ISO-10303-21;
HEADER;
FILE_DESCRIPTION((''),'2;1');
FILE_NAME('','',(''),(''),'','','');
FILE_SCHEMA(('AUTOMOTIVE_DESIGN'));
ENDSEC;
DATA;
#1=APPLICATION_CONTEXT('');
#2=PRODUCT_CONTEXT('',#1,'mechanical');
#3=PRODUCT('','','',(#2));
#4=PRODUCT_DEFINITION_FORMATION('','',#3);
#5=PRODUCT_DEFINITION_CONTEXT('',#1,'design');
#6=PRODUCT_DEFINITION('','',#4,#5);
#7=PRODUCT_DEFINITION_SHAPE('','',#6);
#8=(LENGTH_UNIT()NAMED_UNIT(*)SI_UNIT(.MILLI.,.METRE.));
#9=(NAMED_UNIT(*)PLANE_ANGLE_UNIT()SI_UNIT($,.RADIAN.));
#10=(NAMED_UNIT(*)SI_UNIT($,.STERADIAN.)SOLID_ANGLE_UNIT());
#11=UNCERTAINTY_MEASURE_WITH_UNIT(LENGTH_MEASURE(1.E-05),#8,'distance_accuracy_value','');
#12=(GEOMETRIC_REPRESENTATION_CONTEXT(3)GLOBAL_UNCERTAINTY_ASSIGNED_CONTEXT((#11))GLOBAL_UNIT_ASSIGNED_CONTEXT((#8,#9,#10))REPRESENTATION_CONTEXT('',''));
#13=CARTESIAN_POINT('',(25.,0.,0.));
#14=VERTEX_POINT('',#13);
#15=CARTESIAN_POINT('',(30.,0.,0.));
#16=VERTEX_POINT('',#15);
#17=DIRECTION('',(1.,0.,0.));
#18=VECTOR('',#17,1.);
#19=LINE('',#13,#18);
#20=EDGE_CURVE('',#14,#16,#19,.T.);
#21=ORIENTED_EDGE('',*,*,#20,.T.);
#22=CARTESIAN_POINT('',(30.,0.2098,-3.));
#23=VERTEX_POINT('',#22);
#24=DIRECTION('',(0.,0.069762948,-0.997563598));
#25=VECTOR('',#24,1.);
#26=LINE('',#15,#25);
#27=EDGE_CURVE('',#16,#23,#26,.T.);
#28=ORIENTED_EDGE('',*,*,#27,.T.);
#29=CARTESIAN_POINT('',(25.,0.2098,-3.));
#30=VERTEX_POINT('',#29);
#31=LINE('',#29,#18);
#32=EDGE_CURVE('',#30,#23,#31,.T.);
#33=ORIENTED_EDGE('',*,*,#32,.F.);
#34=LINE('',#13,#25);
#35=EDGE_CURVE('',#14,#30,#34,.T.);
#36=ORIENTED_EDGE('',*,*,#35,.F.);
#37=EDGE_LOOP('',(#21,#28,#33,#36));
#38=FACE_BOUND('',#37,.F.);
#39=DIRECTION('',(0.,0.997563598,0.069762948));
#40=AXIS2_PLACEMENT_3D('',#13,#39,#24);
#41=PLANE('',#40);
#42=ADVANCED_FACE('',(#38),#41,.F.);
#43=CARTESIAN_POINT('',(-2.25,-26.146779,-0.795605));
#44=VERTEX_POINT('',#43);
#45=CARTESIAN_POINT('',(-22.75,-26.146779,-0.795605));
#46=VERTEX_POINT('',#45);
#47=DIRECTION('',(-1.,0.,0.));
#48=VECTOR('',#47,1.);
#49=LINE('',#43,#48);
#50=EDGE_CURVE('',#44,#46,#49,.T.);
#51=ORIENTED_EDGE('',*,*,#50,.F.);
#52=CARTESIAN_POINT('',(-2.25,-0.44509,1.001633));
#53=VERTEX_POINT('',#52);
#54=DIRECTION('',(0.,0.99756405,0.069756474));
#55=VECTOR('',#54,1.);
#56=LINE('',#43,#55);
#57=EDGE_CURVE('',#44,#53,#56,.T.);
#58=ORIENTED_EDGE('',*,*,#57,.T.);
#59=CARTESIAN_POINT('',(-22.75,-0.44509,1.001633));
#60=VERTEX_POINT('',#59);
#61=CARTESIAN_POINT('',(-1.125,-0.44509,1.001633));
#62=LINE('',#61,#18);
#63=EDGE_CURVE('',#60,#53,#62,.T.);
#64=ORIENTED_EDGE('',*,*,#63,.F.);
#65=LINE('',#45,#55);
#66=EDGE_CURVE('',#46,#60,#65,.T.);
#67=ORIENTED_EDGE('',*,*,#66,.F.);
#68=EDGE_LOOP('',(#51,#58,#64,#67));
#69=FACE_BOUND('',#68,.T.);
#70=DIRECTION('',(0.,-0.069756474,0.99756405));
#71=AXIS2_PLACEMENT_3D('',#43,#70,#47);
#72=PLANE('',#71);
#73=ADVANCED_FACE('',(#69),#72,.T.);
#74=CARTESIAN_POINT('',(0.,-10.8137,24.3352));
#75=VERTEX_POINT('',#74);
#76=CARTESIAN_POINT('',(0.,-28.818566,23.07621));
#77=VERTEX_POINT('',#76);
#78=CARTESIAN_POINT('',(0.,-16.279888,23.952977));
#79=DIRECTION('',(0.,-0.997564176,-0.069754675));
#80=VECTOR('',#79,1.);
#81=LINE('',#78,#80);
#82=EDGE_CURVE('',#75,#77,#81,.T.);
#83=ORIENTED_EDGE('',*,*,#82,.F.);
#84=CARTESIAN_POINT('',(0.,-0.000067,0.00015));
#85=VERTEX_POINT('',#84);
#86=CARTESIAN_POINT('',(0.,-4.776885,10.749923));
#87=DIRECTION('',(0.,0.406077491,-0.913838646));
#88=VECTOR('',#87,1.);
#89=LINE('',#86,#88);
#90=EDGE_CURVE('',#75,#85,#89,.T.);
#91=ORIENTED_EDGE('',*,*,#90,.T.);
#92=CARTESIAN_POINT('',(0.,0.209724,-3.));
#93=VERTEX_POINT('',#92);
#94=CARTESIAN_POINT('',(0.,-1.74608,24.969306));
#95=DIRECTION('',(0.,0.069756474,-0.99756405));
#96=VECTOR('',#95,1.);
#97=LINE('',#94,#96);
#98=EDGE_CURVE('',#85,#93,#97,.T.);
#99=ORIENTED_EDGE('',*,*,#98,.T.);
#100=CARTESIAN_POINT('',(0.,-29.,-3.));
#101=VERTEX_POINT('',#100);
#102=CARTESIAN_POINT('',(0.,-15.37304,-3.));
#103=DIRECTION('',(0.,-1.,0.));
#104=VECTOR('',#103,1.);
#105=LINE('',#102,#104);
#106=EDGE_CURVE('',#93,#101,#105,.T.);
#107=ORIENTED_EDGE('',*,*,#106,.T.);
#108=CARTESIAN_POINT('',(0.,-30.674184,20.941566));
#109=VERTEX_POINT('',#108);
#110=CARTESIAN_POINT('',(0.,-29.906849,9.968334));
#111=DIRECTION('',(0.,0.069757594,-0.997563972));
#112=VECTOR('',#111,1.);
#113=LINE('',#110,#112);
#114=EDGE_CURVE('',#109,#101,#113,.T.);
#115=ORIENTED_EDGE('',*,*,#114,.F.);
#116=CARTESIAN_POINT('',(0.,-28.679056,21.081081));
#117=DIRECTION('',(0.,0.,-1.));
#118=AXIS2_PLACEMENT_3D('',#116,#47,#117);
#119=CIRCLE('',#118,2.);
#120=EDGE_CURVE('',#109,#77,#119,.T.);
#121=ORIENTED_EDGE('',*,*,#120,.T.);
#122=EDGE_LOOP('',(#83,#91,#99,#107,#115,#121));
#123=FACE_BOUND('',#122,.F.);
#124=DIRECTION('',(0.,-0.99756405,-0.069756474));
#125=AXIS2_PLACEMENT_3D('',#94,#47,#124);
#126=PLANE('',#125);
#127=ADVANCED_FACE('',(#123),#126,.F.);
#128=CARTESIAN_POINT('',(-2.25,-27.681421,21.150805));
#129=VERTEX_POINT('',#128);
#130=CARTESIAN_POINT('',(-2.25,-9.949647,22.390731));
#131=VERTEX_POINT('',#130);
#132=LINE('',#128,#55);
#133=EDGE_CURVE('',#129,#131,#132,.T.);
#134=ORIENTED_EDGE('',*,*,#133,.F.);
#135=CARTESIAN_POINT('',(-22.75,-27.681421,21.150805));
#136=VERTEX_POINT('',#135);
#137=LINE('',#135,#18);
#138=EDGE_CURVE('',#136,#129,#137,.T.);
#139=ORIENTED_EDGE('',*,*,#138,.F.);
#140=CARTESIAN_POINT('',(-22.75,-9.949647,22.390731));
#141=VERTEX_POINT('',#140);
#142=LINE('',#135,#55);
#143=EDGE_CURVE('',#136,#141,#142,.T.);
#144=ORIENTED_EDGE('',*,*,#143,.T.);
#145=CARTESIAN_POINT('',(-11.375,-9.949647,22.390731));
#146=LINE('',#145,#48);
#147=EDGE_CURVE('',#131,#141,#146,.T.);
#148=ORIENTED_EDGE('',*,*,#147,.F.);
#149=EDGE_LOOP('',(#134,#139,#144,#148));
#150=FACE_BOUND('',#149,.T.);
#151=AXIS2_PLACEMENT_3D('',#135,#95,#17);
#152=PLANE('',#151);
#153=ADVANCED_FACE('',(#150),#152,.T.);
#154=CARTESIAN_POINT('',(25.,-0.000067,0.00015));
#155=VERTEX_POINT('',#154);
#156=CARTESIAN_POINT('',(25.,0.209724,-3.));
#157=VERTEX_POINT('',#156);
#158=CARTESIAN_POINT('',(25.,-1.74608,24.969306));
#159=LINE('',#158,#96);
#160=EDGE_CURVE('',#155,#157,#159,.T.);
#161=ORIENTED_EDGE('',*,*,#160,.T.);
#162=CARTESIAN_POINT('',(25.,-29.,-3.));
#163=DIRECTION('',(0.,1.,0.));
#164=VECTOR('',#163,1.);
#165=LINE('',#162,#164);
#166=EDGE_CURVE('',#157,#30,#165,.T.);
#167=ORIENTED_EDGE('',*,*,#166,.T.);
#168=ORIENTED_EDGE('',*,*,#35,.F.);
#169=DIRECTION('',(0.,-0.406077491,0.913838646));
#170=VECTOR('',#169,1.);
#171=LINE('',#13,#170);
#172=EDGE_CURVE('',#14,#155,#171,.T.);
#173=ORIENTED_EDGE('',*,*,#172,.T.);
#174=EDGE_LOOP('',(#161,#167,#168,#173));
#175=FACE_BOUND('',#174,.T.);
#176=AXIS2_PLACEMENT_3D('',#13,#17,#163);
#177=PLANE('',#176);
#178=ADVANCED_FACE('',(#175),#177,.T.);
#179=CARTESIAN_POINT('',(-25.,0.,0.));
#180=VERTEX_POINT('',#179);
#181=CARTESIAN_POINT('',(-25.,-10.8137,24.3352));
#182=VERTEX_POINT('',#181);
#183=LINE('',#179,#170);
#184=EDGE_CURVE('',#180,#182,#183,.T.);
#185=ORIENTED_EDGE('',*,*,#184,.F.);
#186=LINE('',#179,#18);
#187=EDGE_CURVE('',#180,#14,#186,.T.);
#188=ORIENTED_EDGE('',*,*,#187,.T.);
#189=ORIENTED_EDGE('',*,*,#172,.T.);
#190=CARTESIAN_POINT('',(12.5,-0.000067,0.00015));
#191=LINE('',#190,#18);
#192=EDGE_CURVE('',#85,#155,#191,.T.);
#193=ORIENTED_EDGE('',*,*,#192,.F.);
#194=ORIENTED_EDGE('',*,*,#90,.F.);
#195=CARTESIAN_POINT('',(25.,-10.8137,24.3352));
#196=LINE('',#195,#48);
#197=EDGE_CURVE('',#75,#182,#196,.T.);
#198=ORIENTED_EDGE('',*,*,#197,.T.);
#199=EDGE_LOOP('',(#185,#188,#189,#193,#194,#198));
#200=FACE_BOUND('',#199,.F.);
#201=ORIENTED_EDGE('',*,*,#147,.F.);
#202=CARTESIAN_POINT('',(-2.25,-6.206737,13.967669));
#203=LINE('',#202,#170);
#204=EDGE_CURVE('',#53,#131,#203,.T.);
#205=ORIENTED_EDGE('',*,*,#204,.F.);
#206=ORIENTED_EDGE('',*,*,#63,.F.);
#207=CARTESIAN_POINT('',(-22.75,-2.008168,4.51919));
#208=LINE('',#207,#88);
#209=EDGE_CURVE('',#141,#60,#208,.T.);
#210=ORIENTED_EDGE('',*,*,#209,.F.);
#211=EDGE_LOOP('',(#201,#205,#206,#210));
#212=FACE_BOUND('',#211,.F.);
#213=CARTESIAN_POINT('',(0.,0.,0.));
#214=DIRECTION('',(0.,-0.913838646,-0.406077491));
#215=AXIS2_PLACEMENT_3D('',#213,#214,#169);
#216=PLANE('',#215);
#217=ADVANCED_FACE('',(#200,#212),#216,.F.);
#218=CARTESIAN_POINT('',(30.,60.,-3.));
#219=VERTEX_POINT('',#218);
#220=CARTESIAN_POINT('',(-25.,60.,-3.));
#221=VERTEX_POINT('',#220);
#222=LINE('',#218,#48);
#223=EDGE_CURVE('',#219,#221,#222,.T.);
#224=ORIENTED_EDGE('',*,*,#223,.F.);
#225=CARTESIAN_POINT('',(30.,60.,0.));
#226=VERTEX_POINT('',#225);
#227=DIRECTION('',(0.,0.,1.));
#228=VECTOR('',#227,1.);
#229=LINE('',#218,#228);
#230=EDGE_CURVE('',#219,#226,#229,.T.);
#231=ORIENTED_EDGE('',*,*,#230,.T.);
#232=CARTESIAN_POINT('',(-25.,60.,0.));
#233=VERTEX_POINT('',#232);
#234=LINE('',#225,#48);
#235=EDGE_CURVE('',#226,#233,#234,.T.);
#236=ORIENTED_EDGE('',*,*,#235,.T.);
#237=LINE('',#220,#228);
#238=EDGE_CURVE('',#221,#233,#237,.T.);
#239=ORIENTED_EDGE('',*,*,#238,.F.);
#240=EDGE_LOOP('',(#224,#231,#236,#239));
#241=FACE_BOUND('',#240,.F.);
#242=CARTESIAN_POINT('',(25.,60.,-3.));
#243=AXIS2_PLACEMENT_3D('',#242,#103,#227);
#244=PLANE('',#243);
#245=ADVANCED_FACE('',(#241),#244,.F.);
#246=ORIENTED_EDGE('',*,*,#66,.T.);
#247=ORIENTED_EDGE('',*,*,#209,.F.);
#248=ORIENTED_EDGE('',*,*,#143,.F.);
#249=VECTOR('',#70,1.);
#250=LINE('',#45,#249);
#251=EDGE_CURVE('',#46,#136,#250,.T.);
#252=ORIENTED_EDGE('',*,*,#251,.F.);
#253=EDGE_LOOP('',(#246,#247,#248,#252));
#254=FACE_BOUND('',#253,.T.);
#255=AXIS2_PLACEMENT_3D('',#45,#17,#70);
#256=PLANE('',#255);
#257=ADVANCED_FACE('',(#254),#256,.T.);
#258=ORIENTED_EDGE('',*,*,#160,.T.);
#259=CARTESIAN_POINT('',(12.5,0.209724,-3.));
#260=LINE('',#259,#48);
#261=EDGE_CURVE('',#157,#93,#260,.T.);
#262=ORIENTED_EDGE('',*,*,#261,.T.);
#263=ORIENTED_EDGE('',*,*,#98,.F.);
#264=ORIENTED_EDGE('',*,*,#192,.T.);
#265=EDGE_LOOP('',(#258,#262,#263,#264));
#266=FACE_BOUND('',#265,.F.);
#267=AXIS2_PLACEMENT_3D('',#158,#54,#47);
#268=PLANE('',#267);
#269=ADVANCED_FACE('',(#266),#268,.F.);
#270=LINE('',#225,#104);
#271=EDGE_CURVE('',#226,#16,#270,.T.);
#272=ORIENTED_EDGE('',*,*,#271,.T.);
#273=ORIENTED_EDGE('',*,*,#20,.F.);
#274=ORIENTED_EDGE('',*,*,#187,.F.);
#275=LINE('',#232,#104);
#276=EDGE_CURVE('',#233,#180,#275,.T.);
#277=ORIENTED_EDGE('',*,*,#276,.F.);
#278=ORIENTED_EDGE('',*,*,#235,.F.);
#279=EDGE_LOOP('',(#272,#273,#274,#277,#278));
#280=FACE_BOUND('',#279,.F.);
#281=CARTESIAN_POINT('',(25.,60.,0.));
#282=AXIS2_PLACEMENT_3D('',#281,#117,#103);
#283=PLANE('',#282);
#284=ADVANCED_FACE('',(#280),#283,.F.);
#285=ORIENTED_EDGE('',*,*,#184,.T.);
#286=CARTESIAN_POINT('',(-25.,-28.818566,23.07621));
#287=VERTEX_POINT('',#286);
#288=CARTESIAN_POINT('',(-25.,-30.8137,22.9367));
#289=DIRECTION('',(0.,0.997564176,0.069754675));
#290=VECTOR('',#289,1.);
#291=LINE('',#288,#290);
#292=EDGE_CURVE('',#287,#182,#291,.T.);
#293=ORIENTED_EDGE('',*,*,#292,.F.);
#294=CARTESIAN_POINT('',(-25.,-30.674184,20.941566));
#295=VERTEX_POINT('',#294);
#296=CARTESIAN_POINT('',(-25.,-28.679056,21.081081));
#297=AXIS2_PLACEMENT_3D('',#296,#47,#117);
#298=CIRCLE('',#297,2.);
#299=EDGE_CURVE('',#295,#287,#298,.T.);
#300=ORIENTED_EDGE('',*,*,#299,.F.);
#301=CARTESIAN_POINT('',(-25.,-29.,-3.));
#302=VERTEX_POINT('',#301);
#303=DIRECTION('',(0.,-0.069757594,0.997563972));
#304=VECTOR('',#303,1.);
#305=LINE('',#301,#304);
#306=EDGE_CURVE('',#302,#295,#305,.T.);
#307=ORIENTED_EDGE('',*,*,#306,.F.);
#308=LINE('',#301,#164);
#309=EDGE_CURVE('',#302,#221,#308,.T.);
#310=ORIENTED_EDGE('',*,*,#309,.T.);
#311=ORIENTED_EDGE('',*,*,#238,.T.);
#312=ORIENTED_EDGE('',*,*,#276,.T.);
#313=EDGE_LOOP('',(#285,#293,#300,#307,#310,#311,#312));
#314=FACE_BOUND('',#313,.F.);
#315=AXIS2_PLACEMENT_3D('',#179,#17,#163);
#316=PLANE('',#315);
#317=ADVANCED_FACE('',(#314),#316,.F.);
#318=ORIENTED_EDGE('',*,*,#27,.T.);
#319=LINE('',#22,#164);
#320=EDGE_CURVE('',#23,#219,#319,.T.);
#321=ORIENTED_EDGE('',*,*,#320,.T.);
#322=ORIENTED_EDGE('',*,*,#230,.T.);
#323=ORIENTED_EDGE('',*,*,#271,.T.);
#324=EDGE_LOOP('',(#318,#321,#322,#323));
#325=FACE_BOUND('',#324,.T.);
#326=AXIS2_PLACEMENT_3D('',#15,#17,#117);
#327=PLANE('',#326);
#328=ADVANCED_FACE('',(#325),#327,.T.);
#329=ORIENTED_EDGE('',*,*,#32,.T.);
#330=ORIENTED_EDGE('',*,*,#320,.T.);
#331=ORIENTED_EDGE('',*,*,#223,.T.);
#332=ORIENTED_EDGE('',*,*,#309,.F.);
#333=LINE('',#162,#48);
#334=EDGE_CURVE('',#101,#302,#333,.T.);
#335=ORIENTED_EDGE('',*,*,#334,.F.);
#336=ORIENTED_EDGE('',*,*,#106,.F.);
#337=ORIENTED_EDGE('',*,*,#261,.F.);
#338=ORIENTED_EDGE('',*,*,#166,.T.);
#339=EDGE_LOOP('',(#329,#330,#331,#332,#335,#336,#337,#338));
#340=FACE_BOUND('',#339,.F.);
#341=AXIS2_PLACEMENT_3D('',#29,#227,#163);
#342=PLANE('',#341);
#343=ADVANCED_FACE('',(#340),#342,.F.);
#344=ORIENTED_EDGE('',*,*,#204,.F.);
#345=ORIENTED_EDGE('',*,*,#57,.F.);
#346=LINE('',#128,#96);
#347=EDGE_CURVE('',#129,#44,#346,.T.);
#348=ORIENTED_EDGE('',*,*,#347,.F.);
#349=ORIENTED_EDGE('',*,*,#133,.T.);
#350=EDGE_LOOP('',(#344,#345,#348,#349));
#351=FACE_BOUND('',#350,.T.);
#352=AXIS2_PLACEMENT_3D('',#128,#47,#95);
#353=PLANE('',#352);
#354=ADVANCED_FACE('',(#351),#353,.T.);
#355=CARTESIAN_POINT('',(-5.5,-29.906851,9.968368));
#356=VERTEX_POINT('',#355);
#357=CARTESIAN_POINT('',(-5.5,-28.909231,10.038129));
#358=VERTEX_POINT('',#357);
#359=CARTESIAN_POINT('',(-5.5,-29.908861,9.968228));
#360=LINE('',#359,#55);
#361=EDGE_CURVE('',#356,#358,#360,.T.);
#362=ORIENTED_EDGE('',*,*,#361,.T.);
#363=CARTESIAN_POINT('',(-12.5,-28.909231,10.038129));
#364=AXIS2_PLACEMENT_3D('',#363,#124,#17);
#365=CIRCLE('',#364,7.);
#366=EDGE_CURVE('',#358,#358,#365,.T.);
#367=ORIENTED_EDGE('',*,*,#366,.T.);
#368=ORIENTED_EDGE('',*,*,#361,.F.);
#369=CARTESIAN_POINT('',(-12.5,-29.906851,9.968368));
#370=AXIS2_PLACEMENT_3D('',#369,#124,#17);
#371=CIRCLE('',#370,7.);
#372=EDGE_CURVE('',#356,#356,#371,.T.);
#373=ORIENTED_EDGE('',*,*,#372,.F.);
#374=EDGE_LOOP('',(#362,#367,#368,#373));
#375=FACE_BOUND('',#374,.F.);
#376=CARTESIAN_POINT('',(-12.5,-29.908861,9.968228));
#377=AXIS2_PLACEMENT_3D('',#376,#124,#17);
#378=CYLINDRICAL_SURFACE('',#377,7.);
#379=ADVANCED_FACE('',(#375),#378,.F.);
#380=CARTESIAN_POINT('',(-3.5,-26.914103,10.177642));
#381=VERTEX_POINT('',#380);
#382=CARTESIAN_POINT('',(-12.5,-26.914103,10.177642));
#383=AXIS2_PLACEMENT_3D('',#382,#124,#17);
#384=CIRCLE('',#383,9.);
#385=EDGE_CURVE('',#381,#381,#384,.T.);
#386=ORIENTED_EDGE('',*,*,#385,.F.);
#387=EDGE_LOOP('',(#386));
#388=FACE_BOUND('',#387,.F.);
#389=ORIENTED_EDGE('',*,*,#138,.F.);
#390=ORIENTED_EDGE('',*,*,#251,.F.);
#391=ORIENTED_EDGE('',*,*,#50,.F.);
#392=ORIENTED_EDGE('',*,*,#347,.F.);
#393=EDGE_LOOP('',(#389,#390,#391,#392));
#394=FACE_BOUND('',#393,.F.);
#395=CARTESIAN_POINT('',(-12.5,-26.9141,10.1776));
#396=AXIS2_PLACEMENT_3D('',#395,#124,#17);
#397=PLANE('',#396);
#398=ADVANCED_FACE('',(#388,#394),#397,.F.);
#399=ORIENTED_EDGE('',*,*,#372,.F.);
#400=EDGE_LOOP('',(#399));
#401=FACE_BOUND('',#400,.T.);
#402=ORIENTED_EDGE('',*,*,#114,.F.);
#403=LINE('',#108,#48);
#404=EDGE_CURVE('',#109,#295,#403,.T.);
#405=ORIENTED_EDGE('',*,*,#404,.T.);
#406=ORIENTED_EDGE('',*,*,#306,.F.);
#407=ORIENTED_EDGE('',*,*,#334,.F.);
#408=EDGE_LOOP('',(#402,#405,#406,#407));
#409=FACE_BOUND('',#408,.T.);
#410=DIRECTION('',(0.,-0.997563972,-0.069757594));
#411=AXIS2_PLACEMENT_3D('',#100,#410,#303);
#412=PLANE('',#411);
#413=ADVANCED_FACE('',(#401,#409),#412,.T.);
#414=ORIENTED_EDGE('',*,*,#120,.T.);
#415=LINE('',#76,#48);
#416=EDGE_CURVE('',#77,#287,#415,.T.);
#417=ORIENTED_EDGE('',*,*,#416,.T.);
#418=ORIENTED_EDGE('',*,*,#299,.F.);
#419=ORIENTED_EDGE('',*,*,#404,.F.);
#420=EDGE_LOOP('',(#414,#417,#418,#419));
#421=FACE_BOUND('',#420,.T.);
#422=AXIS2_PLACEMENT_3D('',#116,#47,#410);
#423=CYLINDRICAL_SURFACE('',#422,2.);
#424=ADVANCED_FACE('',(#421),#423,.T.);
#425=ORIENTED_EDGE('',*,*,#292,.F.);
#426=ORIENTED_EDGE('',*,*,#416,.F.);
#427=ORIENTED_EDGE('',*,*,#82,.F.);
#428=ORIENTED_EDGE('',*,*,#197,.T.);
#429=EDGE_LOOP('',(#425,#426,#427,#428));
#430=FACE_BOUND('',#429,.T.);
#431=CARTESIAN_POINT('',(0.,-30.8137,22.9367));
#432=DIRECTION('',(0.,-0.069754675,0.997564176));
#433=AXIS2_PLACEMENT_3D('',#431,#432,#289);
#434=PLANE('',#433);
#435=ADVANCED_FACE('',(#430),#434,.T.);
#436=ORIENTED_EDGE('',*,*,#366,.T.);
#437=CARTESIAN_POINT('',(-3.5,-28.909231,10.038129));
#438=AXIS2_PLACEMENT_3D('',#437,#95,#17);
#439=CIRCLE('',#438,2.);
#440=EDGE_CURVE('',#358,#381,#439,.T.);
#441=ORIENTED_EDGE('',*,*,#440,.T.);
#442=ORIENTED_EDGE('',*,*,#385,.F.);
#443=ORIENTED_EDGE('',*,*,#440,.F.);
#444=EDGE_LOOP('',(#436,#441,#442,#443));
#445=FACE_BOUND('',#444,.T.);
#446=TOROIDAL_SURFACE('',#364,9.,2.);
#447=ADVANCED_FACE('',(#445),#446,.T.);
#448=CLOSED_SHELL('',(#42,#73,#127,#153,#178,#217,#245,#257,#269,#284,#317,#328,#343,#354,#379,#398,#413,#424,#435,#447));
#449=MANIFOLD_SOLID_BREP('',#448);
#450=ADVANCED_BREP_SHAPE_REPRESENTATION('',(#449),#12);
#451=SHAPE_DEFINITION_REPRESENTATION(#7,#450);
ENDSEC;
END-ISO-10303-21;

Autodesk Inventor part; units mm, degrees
ref_plane "YZ Plane" through (0, 0, 0) normal (1, 0, 0) x (0, 1, 0)
ref_plane "XZ Plane" through (0, 0, 0) normal (0, 1, 0) x (-1, 0, 0)
ref_plane "XY Plane" through (0, 0, 0) normal (0, 0, 1) x (1, 0, 0)
sketch "Skizze1" plane through (0, 0, 0) normal (1, 0, 0) x (0, 1, 0)
  line L0 (60, -3) -> (60, 0)
  line L1 (60, 0) -> (0, 0)
  line L2 (0, 0) -> (-10.8137, 24.3352)
  line L3 (-29, -3) -> (-30.8137, 22.9367)
  line L4 (-30.8137, 22.9367) -> (-10.8137, 24.3352)
  line L5 (-29, -3) -> (60, -3)
  dimension "d52" = 3
  dimension "d56" = 26
  dimension "d57" = 20
  dimension "d88" = 60
  dimension "d89" = 94
  dimension "d90" = 29
extrude "Extrusion1" add sketch "Skizze1" along normal mid plane 50
sketch "Skizze10" plane through (-25, -30.8137, 22.9367) normal (0, -0.0698, 0.9976) x (1, 0, 0)
  line L0 (50, 29.1386) -> (0, 29.1386) projected
  line L1 (25, 29.1386) -> (25, 0) construction
  line L2 (0, 0) -> (50, 0) projected
  line L3 (25, 0) -> (50, 0)
  line L4 (50, 0) -> (50, 29.1386)
  line L5 (50, 29.1386) -> (25, 29.1386)
  line L6 (25, 29.1386) -> (25, 0)
extrude "Extrusion8" cut sketch "Skizze10" against normal through all
sketch "Skizze17" plane through (-25, -30.8137, 22.9367) normal (0, -0.9976, -0.0698) x (1, 0, 0)
  circle A0 centre (12.5, -13) radius 7
  line L0 (25, -26) -> (25, 0) projected
  line L1 (25, 0) -> (0, 0) projected
  point P0 (25, -25.0302)
  point P1 (25, -13)
  point P2 (12.5, 0)
  dimension "d91" = 14
extrude "Extrusion13" cut sketch "Skizze17" against normal blind 3
sketch "Skizze18" plane through (-12.5, -26.9141, 10.1776) normal (0, -0.9976, -0.0698) x (1, 0, 0)
  line L0 (10.25, -11) -> (-10.25, -11)
  line L1 (-10.25, -11) -> (-10.25, 11)
  line L2 (-10.25, 11) -> (10.25, 11)
  line L3 (10.25, 11) -> (10.25, -11)
  line L4 (10.25, -11) -> (-10.25, 11) construction
  line L5 (-10.25, -11) -> (10.25, 11) construction
  line L6 (12.5, -13) -> (12.5, 13) projected
  line L7 (12.5, 13) -> (-12.5, 13) projected
  point P0 (12.5, -12.0302)
  point P1 (0, 0)
  point P2 (0, 0)
  point P3 (12.5, 0)
  point P4 (0, 0)
  point P5 (0, 13)
  dimension "d94" = 20.5
  dimension "d95" = 22
extrude "Extrusion14" cut sketch "Skizze18" against normal up to next
fillet "Rundung18" radius 2 1 edges at (-19.5, -26.9141, 10.1776)
fillet "Rundung19" radius 2 1 edges at (-12.5, -30.8137, 22.9367)
sketch "Skizze19" plane through (25, 0, 0) normal (1, 0, 0) x (0, 0, -1)
  line L0 (0, 0) -> (3, 0.2098) projected
  line L1 (3, 0.2098) -> (3, 60) projected
  line L2 (3, 60) -> (0, 60) projected
  line L3 (0, 60) -> (0, 0) projected
extrude "Extrusion15" add sketch "Skizze19" along normal blind 5
equation "\"G_L\" = 0"
equation "\"G_H\" = 0"
equation "\"G_B\" = 0"
properties part number "Airunit_aufnahme" material "GEDA Polyamid"
